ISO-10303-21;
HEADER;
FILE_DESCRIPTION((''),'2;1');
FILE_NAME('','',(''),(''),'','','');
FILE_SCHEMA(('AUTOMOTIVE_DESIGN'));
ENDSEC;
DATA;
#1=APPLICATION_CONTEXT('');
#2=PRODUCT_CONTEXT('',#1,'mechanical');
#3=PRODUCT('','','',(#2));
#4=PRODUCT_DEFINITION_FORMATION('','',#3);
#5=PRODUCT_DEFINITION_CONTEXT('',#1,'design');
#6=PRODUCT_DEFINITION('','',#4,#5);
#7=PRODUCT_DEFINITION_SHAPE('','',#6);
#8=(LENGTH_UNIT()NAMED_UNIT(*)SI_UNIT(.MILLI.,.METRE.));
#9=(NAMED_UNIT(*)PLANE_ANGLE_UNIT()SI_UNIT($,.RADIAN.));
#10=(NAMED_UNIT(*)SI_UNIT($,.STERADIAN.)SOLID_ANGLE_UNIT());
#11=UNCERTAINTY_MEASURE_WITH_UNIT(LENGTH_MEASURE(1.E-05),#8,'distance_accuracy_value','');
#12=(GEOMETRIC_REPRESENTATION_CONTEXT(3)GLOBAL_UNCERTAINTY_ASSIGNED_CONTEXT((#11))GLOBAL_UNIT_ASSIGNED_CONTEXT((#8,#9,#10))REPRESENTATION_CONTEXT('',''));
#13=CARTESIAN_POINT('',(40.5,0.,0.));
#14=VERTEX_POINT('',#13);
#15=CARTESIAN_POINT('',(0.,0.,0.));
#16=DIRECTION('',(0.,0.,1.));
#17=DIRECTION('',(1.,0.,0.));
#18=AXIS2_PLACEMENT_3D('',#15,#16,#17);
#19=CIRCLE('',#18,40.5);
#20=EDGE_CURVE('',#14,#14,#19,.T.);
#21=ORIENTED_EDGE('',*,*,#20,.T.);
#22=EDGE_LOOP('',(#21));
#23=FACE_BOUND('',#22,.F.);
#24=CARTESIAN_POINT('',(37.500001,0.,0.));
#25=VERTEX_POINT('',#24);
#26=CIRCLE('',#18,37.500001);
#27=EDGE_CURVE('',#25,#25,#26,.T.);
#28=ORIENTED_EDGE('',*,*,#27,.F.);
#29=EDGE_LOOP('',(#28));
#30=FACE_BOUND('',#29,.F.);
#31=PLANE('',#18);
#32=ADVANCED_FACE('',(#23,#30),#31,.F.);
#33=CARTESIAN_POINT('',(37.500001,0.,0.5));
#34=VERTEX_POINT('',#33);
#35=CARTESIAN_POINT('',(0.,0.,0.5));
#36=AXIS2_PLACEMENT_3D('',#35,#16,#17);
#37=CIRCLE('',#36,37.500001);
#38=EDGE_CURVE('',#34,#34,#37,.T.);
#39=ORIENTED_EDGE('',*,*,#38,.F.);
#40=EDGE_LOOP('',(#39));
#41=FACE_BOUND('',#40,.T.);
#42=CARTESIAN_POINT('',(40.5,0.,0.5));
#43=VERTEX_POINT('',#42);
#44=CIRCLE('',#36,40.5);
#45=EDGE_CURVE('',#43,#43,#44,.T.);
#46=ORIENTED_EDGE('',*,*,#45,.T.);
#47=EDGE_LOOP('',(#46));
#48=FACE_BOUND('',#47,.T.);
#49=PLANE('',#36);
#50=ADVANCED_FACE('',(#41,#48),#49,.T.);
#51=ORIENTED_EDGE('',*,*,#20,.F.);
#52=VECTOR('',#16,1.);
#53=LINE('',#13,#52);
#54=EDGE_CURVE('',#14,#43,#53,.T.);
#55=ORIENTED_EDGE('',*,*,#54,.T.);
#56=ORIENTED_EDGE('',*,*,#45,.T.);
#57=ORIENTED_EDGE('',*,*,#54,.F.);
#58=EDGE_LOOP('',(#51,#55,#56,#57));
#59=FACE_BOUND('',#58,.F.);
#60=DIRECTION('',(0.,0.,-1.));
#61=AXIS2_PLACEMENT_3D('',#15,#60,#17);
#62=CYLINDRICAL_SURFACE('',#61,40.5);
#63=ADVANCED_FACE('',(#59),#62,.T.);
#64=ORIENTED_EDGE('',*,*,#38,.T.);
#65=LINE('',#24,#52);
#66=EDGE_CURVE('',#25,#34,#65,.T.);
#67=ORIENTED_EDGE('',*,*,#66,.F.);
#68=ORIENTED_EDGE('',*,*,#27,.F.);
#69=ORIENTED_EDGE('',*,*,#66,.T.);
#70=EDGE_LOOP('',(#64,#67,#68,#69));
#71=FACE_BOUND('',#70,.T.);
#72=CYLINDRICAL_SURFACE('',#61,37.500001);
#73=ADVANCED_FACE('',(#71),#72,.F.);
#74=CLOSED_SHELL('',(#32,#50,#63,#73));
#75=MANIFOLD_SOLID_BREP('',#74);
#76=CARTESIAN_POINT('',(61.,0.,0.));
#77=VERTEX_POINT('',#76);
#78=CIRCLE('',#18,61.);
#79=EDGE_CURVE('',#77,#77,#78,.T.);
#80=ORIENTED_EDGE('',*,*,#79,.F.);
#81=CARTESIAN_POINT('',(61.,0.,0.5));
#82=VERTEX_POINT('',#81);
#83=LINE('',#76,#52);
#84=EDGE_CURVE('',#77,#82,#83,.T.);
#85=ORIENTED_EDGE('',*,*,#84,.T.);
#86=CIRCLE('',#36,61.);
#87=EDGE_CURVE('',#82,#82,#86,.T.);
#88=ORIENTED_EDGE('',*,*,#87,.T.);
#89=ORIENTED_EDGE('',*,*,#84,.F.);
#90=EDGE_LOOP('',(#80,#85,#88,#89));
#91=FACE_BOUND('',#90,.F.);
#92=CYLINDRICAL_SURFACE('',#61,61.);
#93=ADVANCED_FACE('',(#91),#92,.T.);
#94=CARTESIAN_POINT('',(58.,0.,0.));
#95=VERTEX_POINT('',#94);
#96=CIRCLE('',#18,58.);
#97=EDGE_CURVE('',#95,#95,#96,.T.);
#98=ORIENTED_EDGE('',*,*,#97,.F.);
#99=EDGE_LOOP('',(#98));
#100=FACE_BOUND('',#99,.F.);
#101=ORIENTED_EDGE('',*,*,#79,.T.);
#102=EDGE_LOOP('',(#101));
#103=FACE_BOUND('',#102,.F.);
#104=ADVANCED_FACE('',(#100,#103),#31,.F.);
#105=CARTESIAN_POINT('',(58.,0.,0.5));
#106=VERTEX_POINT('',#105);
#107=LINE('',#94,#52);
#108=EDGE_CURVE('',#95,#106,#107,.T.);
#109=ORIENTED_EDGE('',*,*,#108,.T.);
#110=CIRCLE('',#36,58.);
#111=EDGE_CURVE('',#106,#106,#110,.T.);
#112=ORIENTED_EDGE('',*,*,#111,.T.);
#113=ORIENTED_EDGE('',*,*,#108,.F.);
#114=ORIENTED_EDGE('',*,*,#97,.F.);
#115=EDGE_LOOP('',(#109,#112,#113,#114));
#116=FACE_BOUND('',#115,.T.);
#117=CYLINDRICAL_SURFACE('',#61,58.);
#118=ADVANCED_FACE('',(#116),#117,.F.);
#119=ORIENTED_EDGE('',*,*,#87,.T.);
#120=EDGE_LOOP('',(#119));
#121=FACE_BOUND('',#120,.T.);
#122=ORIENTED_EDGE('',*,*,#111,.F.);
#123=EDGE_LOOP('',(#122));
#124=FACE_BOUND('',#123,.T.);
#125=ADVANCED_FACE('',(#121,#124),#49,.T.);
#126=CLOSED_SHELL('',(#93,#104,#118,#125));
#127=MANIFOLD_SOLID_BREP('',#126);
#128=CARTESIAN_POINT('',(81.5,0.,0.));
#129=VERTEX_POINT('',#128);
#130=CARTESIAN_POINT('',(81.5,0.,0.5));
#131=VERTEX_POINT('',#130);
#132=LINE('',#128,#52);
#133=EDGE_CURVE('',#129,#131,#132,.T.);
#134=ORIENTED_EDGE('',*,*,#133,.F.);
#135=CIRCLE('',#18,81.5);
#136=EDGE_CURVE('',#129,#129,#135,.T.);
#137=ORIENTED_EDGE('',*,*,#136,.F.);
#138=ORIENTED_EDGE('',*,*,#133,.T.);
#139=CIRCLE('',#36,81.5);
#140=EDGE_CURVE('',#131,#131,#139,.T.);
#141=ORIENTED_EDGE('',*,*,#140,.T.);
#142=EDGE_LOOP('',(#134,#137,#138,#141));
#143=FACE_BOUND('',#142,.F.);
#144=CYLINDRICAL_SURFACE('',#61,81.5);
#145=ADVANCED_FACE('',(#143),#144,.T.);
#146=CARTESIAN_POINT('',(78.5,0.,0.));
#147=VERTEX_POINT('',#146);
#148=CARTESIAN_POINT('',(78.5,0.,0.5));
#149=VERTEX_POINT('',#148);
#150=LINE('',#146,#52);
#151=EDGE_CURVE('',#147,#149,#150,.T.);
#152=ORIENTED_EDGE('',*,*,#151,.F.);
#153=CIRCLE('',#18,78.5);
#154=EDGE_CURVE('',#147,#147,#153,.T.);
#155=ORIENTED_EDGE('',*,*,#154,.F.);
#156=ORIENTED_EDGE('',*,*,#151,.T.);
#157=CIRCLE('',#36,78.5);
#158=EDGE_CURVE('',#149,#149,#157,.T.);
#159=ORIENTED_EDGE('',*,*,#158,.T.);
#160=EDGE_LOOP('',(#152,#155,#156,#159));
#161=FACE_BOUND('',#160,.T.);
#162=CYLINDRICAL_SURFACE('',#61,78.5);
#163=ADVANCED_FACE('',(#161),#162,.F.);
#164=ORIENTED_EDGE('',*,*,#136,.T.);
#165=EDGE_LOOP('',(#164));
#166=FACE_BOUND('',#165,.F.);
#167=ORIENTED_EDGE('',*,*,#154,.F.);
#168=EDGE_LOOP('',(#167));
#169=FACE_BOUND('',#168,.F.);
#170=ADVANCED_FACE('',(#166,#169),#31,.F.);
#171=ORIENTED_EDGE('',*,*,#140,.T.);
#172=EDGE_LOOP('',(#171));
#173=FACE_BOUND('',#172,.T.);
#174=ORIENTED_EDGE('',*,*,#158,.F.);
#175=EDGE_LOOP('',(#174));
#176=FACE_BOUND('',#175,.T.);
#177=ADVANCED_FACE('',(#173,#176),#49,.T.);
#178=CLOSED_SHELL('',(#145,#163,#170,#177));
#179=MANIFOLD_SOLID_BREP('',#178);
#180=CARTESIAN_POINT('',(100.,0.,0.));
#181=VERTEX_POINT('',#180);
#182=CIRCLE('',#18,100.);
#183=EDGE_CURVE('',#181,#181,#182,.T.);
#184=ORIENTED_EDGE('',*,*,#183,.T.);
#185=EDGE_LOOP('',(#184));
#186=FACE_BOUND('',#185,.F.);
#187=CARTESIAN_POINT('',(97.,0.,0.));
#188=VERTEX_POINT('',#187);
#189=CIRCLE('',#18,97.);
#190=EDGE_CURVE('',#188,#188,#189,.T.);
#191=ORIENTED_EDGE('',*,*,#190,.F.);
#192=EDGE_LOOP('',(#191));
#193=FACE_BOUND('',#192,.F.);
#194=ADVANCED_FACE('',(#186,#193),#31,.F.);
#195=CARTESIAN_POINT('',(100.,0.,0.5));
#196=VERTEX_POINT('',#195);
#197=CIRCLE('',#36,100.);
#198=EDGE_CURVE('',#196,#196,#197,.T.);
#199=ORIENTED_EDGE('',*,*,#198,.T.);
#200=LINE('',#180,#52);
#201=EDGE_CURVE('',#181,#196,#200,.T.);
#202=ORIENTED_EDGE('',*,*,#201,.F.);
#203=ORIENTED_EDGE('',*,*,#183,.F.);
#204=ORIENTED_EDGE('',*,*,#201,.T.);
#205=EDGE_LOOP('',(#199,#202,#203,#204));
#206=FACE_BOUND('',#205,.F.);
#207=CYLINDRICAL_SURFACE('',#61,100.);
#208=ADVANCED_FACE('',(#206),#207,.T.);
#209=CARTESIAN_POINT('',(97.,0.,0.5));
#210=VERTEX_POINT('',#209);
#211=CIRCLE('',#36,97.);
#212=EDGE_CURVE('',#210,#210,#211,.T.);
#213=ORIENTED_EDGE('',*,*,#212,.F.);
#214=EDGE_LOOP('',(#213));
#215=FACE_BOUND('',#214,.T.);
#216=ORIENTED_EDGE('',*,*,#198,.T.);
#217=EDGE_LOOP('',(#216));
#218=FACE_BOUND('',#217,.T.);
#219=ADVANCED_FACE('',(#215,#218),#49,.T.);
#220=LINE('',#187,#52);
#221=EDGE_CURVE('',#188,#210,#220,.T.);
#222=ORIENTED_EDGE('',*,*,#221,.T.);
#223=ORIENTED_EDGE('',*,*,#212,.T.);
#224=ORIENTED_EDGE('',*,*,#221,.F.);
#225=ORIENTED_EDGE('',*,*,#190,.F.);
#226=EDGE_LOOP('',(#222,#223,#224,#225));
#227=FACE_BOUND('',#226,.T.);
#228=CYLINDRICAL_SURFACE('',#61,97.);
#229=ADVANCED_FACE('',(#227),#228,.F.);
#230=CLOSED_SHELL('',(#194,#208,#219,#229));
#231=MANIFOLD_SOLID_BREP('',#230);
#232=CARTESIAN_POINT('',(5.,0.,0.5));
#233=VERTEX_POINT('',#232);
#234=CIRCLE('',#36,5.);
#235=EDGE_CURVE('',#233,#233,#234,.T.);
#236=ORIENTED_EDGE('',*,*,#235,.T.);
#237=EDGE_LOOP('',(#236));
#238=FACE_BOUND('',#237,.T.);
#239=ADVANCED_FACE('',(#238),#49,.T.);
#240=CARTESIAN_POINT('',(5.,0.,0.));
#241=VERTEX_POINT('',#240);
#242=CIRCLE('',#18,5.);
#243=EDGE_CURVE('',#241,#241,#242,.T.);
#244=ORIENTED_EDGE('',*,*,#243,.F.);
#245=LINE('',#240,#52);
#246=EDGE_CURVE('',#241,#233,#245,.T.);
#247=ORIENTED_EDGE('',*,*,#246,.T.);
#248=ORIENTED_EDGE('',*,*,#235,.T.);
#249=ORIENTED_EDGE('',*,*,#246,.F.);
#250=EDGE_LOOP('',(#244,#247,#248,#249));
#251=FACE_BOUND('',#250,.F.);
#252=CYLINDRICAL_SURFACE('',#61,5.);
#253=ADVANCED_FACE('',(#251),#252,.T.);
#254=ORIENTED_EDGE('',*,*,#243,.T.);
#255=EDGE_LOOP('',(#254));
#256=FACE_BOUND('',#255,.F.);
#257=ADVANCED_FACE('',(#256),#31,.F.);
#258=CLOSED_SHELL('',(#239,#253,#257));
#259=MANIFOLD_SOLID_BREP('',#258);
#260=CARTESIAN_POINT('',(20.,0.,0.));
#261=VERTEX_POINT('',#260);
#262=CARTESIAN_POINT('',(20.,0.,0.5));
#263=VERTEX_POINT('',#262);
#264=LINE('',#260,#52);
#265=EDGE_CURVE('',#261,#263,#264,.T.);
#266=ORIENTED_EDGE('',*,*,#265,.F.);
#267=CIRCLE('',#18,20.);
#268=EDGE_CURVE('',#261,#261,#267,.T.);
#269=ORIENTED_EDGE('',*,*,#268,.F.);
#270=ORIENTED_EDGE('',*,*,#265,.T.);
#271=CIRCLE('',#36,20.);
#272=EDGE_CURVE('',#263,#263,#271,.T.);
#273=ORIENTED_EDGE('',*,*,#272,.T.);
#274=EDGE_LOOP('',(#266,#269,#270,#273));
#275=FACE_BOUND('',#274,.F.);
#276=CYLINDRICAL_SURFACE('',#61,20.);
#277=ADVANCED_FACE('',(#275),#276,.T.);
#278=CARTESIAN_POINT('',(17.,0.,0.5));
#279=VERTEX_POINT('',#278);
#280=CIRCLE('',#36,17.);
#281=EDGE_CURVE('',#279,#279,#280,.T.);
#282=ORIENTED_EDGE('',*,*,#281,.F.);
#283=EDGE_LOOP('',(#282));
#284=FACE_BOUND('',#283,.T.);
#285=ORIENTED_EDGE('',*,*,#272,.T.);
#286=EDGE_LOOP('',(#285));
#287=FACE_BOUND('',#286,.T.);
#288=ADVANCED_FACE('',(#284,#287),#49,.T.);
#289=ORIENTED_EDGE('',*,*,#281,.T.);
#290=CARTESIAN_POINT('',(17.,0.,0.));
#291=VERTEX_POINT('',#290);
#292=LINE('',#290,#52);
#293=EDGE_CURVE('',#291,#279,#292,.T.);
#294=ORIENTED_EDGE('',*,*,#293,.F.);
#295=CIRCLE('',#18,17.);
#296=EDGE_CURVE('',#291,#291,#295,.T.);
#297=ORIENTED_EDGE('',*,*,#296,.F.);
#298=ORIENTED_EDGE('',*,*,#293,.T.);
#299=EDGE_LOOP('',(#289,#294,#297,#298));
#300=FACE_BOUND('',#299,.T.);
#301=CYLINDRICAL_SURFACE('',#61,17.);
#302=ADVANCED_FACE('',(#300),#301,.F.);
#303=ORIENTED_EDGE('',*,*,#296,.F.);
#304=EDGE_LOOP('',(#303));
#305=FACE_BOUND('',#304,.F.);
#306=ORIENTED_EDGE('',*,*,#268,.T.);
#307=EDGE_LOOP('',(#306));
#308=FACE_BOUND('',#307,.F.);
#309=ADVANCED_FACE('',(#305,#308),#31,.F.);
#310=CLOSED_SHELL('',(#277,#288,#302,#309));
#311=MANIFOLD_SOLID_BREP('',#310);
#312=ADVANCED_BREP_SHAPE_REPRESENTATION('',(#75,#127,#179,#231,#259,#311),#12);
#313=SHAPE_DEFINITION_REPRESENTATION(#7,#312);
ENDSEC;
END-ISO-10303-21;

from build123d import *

# Parameters (mm, degrees)
F0_R     = 100
F0_R_2   = 97
F0_R_3   = 81.5
F0_R_4   = 78.5
F0_R_5   = 61
F0_R_6   = 58
F0_R_7   = 40.5
F0_R_8   = 37.500001
F0_R_9   = 20
F0_R_10  = 17
F0_R_11  = 5
F1_DEPTH = 0.5


with BuildPart() as f1:
    # F0 (on Top) → F1 (new body)
    with BuildSketch(Plane.XY):
        Circle(F0_R)
        Circle(F0_R_2, mode=Mode.SUBTRACT)
        Circle(F0_R_3)
        Circle(F0_R_4, mode=Mode.SUBTRACT)
        Circle(F0_R_5)
        Circle(F0_R_6, mode=Mode.SUBTRACT)
        Circle(F0_R_7)
        Circle(F0_R_8, mode=Mode.SUBTRACT)
        Circle(F0_R_9)
        Circle(F0_R_10, mode=Mode.SUBTRACT)
        Circle(F0_R_11)
    extrude(amount=F1_DEPTH)


solid = f1.part
